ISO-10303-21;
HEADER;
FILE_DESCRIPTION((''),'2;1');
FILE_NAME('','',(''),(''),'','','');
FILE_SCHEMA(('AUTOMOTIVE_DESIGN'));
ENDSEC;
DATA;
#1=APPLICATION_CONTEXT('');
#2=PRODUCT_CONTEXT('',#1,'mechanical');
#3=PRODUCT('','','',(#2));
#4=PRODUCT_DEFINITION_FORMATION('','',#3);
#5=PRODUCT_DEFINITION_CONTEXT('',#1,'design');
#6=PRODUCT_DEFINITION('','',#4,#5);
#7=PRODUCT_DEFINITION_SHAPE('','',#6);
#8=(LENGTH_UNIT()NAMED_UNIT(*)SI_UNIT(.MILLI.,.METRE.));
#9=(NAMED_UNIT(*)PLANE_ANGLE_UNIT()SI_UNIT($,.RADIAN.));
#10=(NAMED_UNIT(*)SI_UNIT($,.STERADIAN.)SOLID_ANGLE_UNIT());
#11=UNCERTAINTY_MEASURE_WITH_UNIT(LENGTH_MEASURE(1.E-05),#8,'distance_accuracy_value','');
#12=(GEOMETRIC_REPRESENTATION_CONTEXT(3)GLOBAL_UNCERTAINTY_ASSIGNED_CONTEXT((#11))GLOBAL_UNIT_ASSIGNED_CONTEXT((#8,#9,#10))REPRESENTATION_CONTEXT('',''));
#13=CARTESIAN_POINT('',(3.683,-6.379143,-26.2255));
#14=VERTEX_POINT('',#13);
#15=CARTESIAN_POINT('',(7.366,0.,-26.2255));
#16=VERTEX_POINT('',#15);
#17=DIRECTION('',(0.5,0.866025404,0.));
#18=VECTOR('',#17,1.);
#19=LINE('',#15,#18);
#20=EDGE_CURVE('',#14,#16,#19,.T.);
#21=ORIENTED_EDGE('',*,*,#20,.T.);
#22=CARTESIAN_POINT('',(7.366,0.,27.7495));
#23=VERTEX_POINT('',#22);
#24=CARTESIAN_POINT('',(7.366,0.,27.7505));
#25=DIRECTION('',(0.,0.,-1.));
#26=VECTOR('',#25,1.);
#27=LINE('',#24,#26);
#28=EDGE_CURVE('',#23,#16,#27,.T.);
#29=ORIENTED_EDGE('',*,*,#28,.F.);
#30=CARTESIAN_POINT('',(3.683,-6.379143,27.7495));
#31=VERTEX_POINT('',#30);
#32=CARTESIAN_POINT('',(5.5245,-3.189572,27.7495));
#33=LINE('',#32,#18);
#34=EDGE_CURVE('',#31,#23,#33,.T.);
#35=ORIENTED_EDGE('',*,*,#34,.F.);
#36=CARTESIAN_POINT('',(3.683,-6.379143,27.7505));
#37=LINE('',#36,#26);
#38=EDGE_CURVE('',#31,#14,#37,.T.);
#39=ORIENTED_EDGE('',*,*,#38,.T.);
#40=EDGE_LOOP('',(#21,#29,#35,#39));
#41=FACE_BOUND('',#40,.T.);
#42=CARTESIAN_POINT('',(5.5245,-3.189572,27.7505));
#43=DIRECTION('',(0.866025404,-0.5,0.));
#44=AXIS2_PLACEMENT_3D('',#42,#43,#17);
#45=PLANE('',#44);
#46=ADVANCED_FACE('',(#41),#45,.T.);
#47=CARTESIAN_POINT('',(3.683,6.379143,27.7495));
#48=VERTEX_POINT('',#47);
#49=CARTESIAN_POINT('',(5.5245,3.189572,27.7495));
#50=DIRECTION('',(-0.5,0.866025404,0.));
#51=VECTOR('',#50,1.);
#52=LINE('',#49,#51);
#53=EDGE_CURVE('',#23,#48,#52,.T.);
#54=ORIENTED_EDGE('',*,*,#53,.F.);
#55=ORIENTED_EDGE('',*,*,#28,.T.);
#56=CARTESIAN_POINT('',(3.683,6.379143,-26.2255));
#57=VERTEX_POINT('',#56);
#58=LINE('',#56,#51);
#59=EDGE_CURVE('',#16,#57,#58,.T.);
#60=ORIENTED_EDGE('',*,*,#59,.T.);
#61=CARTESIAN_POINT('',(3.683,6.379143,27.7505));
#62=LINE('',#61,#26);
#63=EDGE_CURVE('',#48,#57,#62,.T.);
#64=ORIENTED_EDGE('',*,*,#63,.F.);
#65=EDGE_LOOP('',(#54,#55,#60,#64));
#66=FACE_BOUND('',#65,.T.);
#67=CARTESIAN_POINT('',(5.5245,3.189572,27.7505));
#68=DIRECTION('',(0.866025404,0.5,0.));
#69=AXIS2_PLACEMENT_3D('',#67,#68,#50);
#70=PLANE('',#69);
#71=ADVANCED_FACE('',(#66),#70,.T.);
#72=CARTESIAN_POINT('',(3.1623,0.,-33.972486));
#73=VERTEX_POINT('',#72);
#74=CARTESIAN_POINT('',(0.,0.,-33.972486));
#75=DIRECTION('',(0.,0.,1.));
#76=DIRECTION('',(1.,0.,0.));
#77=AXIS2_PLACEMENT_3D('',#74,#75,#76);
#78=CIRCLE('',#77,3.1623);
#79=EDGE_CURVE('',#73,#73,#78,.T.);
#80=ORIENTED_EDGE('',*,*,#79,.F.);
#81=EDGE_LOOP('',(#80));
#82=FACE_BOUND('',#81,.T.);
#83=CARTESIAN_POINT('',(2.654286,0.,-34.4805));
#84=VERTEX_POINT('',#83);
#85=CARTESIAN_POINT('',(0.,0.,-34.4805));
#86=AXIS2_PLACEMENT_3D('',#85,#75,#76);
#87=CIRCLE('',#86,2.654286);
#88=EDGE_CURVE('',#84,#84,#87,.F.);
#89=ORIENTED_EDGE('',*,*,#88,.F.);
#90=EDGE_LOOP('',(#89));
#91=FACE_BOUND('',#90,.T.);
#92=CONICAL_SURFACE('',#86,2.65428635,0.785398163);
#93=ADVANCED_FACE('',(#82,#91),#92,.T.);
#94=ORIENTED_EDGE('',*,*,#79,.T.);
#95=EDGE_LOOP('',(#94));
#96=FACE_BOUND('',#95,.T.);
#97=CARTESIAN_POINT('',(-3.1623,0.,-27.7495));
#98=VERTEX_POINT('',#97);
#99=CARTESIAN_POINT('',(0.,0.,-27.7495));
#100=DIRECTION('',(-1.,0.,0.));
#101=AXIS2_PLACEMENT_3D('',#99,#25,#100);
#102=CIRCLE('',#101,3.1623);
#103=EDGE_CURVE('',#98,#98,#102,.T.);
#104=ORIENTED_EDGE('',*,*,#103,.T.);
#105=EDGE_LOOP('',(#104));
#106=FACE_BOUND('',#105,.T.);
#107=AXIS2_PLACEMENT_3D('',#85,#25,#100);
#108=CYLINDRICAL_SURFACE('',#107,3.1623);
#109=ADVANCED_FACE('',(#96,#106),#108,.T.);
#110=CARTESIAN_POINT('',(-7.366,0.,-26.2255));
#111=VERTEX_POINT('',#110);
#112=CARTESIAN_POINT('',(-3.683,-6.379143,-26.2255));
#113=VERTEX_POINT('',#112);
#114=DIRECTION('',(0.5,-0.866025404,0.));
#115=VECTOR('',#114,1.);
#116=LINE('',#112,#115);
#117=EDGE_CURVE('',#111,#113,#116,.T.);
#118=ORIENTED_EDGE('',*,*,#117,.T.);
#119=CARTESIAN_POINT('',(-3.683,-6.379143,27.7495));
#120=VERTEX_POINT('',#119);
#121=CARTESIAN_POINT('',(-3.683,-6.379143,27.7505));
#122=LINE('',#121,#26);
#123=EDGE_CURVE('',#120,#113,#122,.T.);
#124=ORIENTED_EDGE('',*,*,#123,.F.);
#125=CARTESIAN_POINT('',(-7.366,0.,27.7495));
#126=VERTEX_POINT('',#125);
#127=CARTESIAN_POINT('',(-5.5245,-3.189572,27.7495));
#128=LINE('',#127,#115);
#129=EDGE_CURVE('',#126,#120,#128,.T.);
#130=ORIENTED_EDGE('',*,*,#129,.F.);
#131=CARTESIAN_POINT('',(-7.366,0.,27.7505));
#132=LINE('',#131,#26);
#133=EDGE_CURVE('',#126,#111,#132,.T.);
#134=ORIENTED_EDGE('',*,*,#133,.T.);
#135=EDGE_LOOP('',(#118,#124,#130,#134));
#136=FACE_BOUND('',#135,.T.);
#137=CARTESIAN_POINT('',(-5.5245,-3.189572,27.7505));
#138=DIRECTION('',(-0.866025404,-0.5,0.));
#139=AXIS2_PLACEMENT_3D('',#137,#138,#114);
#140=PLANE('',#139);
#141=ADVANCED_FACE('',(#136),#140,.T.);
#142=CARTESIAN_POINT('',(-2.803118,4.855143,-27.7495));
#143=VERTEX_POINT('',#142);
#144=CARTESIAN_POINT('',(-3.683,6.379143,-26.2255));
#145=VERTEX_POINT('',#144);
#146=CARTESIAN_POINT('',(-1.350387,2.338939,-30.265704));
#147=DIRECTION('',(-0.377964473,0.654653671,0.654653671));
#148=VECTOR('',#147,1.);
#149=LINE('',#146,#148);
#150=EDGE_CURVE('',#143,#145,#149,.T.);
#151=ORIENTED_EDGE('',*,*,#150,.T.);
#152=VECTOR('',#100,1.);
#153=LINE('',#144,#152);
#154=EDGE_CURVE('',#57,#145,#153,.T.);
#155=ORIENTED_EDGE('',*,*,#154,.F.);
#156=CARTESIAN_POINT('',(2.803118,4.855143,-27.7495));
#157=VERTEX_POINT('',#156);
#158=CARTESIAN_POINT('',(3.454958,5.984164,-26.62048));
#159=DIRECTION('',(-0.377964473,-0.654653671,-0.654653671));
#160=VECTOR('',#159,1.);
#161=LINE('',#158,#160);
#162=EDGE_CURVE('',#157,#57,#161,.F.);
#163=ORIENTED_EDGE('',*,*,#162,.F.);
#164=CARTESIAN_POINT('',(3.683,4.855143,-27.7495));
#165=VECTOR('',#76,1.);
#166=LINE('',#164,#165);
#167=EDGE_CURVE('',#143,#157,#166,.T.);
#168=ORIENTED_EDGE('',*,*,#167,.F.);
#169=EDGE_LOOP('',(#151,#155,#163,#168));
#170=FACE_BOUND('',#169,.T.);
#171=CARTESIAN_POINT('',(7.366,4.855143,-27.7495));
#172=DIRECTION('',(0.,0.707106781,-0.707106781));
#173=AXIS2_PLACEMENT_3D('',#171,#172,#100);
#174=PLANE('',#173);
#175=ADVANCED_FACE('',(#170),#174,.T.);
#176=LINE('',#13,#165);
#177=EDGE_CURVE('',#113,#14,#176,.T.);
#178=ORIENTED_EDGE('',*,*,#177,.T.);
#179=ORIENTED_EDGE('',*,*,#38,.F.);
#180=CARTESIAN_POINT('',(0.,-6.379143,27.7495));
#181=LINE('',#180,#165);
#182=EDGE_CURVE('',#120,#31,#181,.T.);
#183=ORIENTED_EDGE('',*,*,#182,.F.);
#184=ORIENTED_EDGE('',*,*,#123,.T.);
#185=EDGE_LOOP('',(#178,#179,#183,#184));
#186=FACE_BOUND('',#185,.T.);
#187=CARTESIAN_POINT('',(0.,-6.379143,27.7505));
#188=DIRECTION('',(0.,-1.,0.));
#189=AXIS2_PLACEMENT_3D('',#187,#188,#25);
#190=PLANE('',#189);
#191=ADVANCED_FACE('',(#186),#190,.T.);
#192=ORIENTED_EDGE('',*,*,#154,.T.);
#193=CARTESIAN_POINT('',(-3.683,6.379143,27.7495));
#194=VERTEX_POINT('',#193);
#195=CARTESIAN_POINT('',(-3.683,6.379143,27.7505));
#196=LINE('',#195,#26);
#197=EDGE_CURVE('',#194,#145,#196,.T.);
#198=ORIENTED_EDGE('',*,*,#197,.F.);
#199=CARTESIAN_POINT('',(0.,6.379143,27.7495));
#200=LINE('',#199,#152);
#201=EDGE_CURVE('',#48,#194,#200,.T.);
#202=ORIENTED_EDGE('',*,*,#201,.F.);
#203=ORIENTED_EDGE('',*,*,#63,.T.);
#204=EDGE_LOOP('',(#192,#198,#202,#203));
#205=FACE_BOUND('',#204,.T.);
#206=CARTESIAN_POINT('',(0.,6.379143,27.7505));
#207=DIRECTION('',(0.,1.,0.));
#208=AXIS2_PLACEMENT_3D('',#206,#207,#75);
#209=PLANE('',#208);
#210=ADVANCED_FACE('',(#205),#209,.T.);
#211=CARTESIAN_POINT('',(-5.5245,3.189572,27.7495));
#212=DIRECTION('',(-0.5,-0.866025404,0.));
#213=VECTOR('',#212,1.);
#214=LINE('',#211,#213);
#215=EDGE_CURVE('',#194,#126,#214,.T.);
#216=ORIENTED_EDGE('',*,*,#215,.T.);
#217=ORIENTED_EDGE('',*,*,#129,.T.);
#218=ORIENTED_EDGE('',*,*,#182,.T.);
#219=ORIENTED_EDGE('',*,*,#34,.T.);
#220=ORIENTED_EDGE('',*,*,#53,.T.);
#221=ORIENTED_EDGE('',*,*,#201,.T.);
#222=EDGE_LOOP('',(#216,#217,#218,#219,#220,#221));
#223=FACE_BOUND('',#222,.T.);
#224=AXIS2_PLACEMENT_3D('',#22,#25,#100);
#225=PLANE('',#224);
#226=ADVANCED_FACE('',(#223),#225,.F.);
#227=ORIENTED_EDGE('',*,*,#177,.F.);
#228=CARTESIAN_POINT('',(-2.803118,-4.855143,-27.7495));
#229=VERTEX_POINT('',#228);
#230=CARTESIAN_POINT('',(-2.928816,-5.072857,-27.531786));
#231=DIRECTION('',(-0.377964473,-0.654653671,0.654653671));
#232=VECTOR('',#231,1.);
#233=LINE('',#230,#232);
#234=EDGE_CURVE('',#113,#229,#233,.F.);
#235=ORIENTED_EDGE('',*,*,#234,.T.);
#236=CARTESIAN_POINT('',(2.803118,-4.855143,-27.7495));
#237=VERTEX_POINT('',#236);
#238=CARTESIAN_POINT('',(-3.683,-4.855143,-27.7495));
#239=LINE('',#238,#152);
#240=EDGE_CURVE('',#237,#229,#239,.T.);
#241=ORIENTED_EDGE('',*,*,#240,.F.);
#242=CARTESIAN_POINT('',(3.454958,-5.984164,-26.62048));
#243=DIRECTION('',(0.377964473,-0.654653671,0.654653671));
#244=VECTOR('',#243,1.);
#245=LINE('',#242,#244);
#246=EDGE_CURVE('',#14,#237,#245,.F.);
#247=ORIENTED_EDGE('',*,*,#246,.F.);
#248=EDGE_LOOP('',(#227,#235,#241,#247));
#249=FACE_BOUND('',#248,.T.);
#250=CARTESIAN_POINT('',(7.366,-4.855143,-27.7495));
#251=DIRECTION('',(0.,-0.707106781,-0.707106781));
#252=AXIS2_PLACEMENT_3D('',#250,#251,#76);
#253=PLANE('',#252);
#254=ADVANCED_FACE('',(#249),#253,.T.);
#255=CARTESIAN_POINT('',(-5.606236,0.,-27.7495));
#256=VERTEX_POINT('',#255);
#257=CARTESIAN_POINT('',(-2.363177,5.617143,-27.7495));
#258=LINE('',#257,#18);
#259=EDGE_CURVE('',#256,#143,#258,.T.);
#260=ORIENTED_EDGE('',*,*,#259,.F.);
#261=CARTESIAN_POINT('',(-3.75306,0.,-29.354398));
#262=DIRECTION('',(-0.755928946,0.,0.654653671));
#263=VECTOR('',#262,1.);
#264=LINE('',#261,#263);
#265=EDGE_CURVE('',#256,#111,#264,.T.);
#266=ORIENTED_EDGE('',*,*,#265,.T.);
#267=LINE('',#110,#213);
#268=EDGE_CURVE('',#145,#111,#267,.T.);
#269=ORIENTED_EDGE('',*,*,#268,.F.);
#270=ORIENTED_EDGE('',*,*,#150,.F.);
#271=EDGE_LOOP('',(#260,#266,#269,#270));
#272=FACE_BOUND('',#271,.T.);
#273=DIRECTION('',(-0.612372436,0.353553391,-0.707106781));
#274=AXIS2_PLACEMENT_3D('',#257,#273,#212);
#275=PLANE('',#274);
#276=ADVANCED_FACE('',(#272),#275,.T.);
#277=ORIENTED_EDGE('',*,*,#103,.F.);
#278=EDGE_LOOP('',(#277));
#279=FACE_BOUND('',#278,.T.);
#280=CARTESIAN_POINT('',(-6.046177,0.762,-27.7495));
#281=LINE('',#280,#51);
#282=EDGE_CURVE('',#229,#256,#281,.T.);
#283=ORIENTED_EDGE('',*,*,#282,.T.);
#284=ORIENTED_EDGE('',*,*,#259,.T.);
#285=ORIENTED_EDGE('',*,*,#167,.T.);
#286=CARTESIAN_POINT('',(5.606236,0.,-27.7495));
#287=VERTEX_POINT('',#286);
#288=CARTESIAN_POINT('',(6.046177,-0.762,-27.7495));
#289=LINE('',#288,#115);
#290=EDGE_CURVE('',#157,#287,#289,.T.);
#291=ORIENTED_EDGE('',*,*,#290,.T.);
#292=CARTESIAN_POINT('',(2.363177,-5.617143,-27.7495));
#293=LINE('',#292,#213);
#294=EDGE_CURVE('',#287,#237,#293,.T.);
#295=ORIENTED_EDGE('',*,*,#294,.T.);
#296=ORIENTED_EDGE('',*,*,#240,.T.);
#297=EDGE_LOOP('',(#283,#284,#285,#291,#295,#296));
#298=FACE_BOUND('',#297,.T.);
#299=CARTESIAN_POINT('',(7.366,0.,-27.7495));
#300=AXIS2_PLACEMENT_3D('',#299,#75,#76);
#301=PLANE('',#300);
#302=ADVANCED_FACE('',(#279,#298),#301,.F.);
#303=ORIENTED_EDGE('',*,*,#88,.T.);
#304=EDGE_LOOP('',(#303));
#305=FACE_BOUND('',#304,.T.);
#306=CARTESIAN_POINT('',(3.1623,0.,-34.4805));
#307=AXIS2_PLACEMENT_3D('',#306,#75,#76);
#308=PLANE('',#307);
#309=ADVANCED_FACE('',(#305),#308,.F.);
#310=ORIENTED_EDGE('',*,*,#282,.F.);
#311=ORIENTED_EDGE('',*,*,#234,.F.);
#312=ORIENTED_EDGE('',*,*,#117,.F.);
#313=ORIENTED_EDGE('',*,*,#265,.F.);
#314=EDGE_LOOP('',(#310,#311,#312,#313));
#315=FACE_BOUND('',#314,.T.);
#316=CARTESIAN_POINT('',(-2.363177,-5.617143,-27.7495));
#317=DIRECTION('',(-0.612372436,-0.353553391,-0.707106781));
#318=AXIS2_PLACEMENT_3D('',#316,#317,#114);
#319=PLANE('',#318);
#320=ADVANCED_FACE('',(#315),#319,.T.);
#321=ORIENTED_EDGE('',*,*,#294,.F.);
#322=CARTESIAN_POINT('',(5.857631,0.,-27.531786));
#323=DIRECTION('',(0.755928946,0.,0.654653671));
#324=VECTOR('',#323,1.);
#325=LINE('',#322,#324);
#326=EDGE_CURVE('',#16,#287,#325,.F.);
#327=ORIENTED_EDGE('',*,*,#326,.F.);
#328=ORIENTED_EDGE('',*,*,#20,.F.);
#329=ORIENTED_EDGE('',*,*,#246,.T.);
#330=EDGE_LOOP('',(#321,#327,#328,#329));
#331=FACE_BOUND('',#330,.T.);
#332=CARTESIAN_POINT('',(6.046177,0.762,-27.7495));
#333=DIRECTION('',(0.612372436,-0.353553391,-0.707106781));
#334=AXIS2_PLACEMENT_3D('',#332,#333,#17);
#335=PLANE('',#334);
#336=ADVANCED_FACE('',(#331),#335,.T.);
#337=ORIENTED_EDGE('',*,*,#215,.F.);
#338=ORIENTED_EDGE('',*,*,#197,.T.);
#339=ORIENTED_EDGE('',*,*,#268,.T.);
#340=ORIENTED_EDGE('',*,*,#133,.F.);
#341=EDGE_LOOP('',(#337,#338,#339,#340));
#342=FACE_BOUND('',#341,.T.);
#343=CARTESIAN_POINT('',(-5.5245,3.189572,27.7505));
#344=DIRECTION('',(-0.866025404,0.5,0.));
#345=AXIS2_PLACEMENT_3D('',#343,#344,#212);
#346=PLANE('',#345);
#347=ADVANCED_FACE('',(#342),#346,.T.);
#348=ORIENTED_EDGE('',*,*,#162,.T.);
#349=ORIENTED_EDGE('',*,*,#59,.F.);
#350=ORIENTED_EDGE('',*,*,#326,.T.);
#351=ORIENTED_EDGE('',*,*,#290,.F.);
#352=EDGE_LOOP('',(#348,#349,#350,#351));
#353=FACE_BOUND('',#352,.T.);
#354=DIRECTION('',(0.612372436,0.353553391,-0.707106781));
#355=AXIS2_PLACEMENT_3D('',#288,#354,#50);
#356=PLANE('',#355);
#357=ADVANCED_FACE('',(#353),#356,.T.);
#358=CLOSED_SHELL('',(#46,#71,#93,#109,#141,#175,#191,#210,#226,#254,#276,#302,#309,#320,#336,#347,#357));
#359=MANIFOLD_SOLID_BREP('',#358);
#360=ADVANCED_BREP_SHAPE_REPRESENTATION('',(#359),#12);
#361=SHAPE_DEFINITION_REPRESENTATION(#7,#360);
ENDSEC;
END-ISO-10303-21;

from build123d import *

# Parameters (mm, degrees)
CHAMFER1_SIZE  = 0.50801365
EXTRUDE1_REACH = 57.499
CHAMFER2_SIZE  = 1.524


with BuildPart() as part:
    # Sketch1 → Revolve1 (revolve)
    with BuildSketch(Plane(origin=(0, 0, 0), x_dir=(1, 0, 0), z_dir=(0, 1, 0)), mode=Mode.PRIVATE) as revolve1_sk:
        Polygon((7.366, -27.7495), (7.366, 27.7495), (3.1623, 27.7495), (3.1623, 34.4805), (0, 34.4805), (0, -27.7495), align=None)
    revolve(revolve1_sk.sketch.rotate(Axis((0, 0, -34.4805), (0, 0, 1)), 180), axis=Axis((0, 0, -34.4805), (0, 0, 1)))  # turned: the seam where the file's is

    # Chamfer1
    chamfer1_edges = [part.edges().sort_by_distance(p)[0] for p in [
        (3.1623, 0, -34.4805),
    ]]
    chamfer(chamfer1_edges, length=CHAMFER1_SIZE)

    # Sketch2 → Extrude1 (cut, up to next)
    with BuildSketch(Plane(origin=(0, 0, -27.7495), x_dir=(-1, 0, 0), z_dir=(0, 0, -1)), mode=Mode.PRIVATE) as extrude1_sk1:
        with BuildLine():
            ThreePointArc((3.683, 6.379143124), (0, 7.366), (-3.683, 6.379143124))
            Line((-3.683, 6.379143124), (3.683, 6.379143124))
        make_face()
    extrude1_tool1 = extrude(extrude1_sk1.sketch, amount=-EXTRUDE1_REACH, mode=Mode.PRIVATE) & part.part
    add(extrude1_tool1.solids().sort_by_distance((0, 6.776244, -27.7495))[0], mode=Mode.SUBTRACT)
    # Sketch2 → Extrude1 (cut, up to next)
    with BuildSketch(Plane(origin=(0, 0, -27.7495), x_dir=(-1, 0, 0), z_dir=(0, 0, -1)), mode=Mode.PRIVATE) as extrude1_sk2:
        with BuildLine():
            ThreePointArc((7.366, 0), (6.379143124, 3.683), (3.683, 6.379143124))
            Line((3.683, 6.379143124), (7.366, 0))
        make_face()
    extrude1_tool2 = extrude(extrude1_sk2.sketch, amount=-EXTRUDE1_REACH, mode=Mode.PRIVATE) & part.part
    add(extrude1_tool2.solids().sort_by_distance((-5.868399, 3.388122, -27.7495))[0], mode=Mode.SUBTRACT)
    # Sketch2 → Extrude1 (cut, up to next)
    with BuildSketch(Plane(origin=(0, 0, -27.7495), x_dir=(-1, 0, 0), z_dir=(0, 0, -1)), mode=Mode.PRIVATE) as extrude1_sk3:
        with BuildLine():
            Line((7.366, 0), (3.683, -6.379143124))
            ThreePointArc((3.683, -6.379143124), (6.379143124, -3.683), (7.366, 0))
        make_face()
    extrude1_tool3 = extrude(extrude1_sk3.sketch, amount=-EXTRUDE1_REACH, mode=Mode.PRIVATE) & part.part
    add(extrude1_tool3.solids().sort_by_distance((-5.868399, -3.388122, -27.7495))[0], mode=Mode.SUBTRACT)
    # Sketch2 → Extrude1 (cut, up to next)
    with BuildSketch(Plane(origin=(0, 0, -27.7495), x_dir=(-1, 0, 0), z_dir=(0, 0, -1)), mode=Mode.PRIVATE) as extrude1_sk4:
        with BuildLine():
            Line((3.683, -6.379143124), (-3.683, -6.379143124))
            ThreePointArc((-3.683, -6.379143124), (0, -7.366), (3.683, -6.379143124))
        make_face()
    extrude1_tool4 = extrude(extrude1_sk4.sketch, amount=-EXTRUDE1_REACH, mode=Mode.PRIVATE) & part.part
    add(extrude1_tool4.solids().sort_by_distance((0, -6.776244, -27.7495))[0], mode=Mode.SUBTRACT)
    # Sketch2 → Extrude1 (cut, up to next)
    with BuildSketch(Plane(origin=(0, 0, -27.7495), x_dir=(-1, 0, 0), z_dir=(0, 0, -1)), mode=Mode.PRIVATE) as extrude1_sk5:
        with BuildLine():
            Line((-3.683, -6.379143124), (-7.366, 0))
            ThreePointArc((-7.366, 0), (-6.379143124, -3.683), (-3.683, -6.379143124))
        make_face()
    extrude1_tool5 = extrude(extrude1_sk5.sketch, amount=-EXTRUDE1_REACH, mode=Mode.PRIVATE) & part.part
    add(extrude1_tool5.solids().sort_by_distance((5.868399, -3.388122, -27.7495))[0], mode=Mode.SUBTRACT)
    # Sketch2 → Extrude1 (cut, up to next)
    with BuildSketch(Plane(origin=(0, 0, -27.7495), x_dir=(-1, 0, 0), z_dir=(0, 0, -1)), mode=Mode.PRIVATE) as extrude1_sk6:
        with BuildLine():
            ThreePointArc((-3.683, 6.379143124), (-6.379143124, 3.683), (-7.366, 0))
            Line((-7.366, 0), (-3.683, 6.379143124))
        make_face()
    extrude1_tool6 = extrude(extrude1_sk6.sketch, amount=-EXTRUDE1_REACH, mode=Mode.PRIVATE) & part.part
    add(extrude1_tool6.solids().sort_by_distance((5.868399, 3.388122, -27.7495))[0], mode=Mode.SUBTRACT)

    # Chamfer2
    chamfer2_edges = [part.edges().sort_by_distance(p)[0] for p in [
        (0, 6.379143124, -27.7495),
        (-5.5245, 3.189571562, -27.7495),
        (-5.5245, -3.189571562, -27.7495),
        (0, -6.379143124, -27.7495),
        (5.5245, -3.189571562, -27.7495),
        (5.5245, 3.189571562, -27.7495),
    ]]
    chamfer(chamfer2_edges, length=CHAMFER2_SIZE)


solid = part.part
